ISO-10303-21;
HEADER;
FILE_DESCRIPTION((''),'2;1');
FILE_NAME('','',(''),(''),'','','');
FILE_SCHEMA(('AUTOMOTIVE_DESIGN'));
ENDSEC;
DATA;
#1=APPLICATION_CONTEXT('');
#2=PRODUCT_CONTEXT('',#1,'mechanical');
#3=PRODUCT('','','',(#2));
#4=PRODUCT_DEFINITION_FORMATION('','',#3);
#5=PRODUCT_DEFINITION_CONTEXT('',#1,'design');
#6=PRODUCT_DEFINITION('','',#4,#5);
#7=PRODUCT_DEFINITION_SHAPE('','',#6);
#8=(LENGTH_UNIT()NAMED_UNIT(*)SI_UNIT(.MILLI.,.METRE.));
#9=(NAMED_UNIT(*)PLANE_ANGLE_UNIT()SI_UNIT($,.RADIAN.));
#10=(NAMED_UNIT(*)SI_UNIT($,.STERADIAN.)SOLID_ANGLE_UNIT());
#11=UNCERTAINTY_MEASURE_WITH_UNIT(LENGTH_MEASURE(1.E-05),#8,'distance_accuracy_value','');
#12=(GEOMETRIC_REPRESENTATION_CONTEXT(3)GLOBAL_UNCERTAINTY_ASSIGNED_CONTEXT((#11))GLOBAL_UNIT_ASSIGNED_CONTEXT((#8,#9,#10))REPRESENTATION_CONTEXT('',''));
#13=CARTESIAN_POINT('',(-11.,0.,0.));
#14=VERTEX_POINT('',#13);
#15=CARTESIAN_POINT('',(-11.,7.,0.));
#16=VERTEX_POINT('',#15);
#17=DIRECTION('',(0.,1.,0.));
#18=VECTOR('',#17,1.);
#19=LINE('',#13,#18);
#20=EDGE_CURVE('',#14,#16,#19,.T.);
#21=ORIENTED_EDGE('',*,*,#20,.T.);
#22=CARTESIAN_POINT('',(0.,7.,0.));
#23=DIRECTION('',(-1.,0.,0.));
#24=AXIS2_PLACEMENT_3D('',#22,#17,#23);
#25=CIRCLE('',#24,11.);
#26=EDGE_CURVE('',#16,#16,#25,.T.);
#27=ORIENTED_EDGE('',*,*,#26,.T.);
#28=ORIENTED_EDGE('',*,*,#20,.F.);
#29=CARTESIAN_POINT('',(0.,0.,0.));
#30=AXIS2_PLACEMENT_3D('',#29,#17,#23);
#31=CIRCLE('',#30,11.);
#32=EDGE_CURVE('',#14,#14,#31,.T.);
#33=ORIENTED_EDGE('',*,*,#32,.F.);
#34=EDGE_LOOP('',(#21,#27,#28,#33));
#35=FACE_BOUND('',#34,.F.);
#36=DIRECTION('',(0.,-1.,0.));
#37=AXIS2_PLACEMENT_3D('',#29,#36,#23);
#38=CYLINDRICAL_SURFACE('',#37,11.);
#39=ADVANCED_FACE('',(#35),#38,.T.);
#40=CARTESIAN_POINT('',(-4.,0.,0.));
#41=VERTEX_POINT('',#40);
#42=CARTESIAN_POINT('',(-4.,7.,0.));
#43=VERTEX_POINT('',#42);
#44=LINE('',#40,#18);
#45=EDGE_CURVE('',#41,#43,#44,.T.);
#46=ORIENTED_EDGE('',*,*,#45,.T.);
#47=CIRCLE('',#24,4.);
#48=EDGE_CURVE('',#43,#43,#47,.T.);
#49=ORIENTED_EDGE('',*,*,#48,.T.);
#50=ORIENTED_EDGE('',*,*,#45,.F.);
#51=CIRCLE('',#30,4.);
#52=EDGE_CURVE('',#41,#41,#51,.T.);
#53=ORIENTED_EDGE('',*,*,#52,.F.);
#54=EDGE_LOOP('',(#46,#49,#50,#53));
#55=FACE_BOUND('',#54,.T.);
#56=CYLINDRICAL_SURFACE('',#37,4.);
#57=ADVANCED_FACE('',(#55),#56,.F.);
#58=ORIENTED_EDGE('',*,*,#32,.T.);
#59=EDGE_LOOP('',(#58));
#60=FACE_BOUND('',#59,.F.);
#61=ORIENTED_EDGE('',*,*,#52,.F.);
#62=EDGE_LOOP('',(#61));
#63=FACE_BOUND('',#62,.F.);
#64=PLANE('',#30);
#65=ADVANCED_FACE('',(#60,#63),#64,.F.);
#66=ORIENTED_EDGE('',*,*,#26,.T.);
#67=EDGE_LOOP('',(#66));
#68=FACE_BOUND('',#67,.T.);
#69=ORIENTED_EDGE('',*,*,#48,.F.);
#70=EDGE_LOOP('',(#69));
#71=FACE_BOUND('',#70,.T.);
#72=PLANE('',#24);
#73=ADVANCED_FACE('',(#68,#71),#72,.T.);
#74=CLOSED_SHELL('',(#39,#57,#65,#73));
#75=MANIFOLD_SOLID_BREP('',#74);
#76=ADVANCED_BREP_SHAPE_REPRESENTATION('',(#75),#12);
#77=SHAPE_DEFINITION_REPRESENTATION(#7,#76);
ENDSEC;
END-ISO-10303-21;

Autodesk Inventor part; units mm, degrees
ref_plane "YZ Plane" through (0, 0, 0) normal (1, 0, 0) x (0, 1, 0)
ref_plane "XZ Plane" through (0, 0, 0) normal (0, 1, 0) x (-1, 0, 0)
ref_plane "XY Plane" through (0, 0, 0) normal (0, 0, 1) x (1, 0, 0)
sketch "Boceto1" plane through (0, 0, 0) normal (0, 1, 0) x (-1, 0, 0)
  circle A0 centre (0, 0) radius 11
  circle A1 centre (0, 0) radius 4
  dimension "d0" = 22
  dimension "d1" = 8
extrude "Extrusión1" add sketch "Boceto1" along normal blind 7
properties part number "brng"
